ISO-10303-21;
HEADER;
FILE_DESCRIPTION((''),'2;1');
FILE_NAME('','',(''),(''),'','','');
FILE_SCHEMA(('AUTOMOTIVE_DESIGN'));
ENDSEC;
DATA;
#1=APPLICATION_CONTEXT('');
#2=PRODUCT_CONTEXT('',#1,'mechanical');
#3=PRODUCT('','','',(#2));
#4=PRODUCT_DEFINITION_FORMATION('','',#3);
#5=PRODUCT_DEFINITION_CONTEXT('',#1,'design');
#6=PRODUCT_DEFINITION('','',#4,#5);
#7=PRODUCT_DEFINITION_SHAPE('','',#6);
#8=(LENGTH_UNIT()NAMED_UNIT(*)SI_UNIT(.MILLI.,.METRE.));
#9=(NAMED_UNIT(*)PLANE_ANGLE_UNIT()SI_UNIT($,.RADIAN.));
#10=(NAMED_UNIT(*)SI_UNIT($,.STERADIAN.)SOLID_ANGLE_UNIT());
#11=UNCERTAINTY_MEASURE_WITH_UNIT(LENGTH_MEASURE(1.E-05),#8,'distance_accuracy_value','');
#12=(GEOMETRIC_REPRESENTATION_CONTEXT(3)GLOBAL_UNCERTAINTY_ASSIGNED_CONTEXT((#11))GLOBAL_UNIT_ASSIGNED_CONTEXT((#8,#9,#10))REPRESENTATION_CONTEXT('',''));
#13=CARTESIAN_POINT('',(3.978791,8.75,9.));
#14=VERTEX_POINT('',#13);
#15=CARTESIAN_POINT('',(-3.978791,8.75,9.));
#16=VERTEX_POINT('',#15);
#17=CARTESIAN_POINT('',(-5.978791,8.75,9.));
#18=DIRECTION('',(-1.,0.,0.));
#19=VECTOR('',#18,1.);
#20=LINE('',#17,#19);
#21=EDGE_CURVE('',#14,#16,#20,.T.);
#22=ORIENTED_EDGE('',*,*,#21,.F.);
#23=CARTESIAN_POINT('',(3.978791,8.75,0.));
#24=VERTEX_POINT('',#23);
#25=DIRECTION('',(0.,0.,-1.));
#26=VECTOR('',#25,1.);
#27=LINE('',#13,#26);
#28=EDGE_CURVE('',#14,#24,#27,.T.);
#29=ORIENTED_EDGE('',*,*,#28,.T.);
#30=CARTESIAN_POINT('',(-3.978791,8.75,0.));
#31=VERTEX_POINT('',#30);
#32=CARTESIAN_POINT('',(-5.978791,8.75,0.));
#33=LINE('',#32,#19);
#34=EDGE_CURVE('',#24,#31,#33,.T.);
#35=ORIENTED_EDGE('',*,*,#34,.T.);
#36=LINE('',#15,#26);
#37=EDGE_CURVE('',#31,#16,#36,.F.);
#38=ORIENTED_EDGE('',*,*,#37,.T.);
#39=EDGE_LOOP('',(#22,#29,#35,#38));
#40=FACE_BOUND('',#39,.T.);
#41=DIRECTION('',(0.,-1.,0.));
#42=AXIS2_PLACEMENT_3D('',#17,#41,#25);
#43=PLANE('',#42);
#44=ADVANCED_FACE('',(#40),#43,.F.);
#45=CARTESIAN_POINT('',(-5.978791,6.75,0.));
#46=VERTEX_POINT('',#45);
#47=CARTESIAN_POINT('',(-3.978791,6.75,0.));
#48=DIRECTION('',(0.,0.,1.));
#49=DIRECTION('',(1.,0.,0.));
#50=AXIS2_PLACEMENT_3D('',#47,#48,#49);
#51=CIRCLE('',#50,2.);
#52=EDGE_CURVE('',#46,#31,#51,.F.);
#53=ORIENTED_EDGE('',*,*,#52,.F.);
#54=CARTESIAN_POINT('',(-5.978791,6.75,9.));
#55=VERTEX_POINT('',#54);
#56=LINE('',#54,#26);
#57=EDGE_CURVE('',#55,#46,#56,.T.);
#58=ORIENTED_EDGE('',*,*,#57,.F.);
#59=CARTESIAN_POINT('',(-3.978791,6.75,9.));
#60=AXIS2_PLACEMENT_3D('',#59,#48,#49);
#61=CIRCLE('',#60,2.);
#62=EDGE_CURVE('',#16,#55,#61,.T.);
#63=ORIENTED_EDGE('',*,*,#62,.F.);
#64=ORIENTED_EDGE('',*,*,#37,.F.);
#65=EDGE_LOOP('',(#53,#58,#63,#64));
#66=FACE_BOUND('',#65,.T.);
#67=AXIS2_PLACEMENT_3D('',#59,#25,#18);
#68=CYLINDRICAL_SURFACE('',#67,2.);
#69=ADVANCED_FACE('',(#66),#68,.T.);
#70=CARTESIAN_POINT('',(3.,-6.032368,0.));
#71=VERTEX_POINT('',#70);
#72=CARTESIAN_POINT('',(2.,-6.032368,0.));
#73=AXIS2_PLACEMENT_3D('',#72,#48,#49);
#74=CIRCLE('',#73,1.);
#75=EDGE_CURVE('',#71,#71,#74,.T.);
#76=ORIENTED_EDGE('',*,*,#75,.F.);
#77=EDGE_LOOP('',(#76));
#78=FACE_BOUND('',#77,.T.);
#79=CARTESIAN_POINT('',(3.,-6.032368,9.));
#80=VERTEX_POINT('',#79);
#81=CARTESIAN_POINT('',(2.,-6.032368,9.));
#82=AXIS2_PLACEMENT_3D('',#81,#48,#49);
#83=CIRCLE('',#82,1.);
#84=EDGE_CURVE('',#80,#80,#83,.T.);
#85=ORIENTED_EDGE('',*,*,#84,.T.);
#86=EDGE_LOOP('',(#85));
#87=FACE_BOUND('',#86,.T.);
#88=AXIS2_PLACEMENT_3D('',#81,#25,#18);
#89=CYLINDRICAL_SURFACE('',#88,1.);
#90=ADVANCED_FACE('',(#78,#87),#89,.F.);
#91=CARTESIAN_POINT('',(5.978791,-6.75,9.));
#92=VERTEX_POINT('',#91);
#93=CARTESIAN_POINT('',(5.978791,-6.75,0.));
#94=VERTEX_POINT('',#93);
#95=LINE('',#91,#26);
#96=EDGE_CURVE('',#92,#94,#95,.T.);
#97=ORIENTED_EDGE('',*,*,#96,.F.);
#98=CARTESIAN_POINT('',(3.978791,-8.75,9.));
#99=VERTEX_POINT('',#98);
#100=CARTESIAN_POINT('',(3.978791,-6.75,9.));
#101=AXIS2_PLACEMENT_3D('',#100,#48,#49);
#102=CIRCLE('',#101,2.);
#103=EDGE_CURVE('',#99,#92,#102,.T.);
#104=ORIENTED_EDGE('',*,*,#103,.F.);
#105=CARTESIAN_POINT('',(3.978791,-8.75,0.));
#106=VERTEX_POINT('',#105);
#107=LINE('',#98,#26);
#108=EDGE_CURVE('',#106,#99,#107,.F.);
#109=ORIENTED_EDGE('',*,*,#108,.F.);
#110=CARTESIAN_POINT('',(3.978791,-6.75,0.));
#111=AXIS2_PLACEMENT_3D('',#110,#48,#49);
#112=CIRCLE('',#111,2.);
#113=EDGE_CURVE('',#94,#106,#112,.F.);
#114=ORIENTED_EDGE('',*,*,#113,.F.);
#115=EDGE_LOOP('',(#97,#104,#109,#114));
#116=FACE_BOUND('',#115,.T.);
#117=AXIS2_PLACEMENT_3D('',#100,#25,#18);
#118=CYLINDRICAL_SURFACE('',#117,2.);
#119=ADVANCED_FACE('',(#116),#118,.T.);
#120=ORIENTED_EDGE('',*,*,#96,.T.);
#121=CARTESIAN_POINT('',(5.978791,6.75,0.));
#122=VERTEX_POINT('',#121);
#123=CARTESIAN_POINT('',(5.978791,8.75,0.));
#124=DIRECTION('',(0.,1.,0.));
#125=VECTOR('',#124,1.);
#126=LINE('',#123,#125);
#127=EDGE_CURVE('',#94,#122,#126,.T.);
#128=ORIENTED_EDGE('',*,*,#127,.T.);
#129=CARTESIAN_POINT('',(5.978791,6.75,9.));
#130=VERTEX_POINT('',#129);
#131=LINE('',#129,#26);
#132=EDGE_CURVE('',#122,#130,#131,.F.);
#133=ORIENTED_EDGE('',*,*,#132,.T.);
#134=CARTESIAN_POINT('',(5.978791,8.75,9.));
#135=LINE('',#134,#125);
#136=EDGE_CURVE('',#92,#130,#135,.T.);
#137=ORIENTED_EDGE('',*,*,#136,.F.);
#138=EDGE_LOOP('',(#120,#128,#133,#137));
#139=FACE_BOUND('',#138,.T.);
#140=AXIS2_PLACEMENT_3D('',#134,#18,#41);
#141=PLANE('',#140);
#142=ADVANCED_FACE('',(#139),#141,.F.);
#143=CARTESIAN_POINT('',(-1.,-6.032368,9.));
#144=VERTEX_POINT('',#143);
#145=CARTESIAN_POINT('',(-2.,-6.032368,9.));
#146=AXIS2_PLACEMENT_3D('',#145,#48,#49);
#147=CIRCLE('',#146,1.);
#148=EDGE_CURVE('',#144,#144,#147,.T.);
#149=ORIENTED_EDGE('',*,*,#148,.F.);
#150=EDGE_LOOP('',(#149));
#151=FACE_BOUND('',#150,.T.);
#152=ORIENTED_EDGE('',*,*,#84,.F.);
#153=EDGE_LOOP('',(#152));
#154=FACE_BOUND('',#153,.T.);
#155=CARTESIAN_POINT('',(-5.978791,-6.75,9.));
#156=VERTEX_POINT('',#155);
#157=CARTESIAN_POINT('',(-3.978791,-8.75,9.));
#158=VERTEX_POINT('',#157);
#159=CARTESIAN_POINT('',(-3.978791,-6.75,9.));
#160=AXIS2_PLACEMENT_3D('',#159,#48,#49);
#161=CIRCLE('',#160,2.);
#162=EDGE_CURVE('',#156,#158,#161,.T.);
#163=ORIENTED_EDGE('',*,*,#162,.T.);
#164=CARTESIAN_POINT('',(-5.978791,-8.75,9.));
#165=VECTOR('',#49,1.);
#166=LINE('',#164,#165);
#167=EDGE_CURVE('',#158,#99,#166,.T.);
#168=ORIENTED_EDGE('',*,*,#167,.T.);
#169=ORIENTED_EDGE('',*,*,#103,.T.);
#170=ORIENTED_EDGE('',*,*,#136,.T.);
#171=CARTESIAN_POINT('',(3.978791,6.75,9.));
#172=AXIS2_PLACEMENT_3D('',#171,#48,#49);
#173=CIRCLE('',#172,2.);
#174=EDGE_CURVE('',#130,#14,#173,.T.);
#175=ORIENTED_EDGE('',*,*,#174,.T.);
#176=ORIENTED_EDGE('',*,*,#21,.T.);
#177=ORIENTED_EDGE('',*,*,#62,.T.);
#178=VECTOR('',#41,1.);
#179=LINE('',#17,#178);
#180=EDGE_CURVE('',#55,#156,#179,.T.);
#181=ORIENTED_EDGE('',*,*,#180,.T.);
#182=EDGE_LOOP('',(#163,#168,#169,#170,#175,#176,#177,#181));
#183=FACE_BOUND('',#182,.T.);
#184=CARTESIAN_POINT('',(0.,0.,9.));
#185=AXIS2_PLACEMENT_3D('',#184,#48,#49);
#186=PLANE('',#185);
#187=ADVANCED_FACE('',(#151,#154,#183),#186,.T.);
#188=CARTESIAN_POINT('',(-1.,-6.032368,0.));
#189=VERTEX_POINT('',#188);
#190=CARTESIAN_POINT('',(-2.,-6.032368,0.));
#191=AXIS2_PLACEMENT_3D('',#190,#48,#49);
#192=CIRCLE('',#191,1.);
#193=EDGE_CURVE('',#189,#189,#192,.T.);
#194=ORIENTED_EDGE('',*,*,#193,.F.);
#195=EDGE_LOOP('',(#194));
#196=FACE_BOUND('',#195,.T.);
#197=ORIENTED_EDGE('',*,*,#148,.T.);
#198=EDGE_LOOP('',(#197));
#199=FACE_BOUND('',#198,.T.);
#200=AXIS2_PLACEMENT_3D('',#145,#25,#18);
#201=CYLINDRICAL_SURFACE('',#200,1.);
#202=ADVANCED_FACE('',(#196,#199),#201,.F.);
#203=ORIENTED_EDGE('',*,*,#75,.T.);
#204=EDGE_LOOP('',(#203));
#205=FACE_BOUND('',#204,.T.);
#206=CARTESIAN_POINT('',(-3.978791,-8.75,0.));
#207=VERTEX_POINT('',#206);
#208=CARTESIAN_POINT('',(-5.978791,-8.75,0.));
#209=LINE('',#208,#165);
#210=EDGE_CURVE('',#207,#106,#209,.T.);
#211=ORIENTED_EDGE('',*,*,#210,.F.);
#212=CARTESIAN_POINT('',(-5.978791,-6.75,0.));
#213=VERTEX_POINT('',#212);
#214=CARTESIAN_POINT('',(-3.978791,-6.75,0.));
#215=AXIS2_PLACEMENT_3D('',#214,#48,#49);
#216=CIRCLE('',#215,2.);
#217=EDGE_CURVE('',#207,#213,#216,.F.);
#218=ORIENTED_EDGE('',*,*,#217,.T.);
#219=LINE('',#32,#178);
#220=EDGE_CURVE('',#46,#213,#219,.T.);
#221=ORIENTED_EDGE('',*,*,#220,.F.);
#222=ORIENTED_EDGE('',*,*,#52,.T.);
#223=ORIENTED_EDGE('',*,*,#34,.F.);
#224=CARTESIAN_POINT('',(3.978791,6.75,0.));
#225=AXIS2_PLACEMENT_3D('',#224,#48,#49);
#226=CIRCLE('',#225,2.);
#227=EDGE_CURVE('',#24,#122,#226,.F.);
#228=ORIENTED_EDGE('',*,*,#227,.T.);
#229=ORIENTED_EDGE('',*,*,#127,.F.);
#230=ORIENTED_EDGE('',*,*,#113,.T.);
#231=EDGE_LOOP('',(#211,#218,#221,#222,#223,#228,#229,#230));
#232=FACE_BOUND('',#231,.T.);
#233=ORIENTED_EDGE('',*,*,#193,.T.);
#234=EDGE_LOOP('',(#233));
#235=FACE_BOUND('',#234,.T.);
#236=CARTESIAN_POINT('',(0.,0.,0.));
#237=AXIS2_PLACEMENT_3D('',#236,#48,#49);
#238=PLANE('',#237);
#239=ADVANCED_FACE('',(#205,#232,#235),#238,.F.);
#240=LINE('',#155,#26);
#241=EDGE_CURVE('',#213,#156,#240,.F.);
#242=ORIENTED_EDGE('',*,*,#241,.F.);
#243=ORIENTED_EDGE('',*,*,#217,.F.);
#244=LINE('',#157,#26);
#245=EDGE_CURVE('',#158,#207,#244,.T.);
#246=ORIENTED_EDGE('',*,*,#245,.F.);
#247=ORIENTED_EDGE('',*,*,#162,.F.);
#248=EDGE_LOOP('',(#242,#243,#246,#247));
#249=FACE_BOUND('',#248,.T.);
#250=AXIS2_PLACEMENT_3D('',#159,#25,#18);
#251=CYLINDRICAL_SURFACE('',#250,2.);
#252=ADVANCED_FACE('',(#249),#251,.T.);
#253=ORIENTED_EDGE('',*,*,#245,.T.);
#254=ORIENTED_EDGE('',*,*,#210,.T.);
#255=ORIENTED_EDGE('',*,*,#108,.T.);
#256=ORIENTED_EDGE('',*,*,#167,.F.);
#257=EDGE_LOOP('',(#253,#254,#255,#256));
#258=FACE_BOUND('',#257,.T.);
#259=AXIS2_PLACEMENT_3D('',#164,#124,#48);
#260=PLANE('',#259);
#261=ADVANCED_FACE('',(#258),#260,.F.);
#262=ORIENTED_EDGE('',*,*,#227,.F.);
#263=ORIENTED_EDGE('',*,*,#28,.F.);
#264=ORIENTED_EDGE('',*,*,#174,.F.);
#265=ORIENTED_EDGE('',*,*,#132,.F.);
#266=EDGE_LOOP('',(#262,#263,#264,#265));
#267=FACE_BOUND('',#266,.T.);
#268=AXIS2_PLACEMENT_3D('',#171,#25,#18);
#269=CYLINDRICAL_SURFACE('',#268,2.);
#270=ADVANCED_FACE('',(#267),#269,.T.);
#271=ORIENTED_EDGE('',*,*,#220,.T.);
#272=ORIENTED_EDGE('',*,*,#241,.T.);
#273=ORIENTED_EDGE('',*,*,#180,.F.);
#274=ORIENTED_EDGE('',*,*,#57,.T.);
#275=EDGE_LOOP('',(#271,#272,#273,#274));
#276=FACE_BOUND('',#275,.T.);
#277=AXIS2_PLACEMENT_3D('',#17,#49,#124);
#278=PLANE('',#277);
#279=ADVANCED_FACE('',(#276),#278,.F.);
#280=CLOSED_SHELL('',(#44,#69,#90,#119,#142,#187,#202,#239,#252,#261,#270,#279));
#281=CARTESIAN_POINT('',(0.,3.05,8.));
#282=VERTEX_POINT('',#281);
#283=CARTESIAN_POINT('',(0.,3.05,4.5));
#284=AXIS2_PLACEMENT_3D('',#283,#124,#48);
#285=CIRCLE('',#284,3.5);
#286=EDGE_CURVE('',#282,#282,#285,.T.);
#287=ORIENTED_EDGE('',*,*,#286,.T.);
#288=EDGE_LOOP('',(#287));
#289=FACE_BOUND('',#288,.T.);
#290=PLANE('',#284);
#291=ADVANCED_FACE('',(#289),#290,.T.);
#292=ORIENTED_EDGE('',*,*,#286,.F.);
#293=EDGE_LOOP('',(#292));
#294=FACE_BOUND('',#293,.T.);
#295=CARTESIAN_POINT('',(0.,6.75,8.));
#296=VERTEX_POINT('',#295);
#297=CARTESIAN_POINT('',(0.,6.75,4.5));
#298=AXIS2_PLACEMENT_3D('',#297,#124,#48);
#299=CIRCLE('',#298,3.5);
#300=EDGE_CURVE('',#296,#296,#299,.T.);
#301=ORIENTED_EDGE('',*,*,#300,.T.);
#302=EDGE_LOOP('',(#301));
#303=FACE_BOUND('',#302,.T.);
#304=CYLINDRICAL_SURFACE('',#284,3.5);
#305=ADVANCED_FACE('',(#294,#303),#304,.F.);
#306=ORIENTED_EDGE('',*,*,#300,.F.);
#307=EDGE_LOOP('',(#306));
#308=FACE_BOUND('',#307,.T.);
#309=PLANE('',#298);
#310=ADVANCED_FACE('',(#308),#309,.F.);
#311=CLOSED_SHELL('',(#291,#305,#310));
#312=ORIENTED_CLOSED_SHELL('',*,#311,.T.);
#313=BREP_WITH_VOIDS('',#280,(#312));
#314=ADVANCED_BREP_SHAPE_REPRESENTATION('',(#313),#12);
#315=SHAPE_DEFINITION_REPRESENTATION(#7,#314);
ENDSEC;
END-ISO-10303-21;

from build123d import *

# Parameters (mm, degrees)
SKETCH1_W           = 11.957581354
SKETCH1_H           = 17.5
SKETCH1_R           = 1
BOSS_EXTRUDE1_DEPTH = 9
CUT_EXTRUDE1_START  = -2
SKETCH2_R           = 3.5
CUT_EXTRUDE1_DEPTH  = 3.7
FILLET1_R           = 2


with BuildPart() as part:
    # Sketch1 → Boss-Extrude1 (new body)
    with BuildSketch(Plane.XY):
        Rectangle(SKETCH1_W, SKETCH1_H)
        with Locations((-2, -6.032367874)):
            Circle(SKETCH1_R, mode=Mode.SUBTRACT)
        with Locations((2, -6.032367874)):
            Circle(SKETCH1_R, mode=Mode.SUBTRACT)
    extrude(amount=BOSS_EXTRUDE1_DEPTH)

    # Sketch2 → Cut-Extrude1 (cut)
    with BuildSketch(Plane(origin=(0, 8.75, 0), x_dir=(1, 0, 0), z_dir=(0, 1, 0)).offset(CUT_EXTRUDE1_START)):
        with Locations(Location((0, -4.5, 0), (0, 0, 270))):
            Circle(SKETCH2_R)
    extrude(amount=-CUT_EXTRUDE1_DEPTH, mode=Mode.SUBTRACT)

    # Fillet1
    fillet1_edges = [part.edges().sort_by_distance(p)[0] for p in [
        (5.978790677, -8.75, 4.5),
        (-5.978790677, -8.75, 4.5),
        (-5.978790677, 8.75, 4.5),
        (5.978790677, 8.75, 4.5),
    ]]
    fillet(fillet1_edges, radius=FILLET1_R)


solid = part.part
